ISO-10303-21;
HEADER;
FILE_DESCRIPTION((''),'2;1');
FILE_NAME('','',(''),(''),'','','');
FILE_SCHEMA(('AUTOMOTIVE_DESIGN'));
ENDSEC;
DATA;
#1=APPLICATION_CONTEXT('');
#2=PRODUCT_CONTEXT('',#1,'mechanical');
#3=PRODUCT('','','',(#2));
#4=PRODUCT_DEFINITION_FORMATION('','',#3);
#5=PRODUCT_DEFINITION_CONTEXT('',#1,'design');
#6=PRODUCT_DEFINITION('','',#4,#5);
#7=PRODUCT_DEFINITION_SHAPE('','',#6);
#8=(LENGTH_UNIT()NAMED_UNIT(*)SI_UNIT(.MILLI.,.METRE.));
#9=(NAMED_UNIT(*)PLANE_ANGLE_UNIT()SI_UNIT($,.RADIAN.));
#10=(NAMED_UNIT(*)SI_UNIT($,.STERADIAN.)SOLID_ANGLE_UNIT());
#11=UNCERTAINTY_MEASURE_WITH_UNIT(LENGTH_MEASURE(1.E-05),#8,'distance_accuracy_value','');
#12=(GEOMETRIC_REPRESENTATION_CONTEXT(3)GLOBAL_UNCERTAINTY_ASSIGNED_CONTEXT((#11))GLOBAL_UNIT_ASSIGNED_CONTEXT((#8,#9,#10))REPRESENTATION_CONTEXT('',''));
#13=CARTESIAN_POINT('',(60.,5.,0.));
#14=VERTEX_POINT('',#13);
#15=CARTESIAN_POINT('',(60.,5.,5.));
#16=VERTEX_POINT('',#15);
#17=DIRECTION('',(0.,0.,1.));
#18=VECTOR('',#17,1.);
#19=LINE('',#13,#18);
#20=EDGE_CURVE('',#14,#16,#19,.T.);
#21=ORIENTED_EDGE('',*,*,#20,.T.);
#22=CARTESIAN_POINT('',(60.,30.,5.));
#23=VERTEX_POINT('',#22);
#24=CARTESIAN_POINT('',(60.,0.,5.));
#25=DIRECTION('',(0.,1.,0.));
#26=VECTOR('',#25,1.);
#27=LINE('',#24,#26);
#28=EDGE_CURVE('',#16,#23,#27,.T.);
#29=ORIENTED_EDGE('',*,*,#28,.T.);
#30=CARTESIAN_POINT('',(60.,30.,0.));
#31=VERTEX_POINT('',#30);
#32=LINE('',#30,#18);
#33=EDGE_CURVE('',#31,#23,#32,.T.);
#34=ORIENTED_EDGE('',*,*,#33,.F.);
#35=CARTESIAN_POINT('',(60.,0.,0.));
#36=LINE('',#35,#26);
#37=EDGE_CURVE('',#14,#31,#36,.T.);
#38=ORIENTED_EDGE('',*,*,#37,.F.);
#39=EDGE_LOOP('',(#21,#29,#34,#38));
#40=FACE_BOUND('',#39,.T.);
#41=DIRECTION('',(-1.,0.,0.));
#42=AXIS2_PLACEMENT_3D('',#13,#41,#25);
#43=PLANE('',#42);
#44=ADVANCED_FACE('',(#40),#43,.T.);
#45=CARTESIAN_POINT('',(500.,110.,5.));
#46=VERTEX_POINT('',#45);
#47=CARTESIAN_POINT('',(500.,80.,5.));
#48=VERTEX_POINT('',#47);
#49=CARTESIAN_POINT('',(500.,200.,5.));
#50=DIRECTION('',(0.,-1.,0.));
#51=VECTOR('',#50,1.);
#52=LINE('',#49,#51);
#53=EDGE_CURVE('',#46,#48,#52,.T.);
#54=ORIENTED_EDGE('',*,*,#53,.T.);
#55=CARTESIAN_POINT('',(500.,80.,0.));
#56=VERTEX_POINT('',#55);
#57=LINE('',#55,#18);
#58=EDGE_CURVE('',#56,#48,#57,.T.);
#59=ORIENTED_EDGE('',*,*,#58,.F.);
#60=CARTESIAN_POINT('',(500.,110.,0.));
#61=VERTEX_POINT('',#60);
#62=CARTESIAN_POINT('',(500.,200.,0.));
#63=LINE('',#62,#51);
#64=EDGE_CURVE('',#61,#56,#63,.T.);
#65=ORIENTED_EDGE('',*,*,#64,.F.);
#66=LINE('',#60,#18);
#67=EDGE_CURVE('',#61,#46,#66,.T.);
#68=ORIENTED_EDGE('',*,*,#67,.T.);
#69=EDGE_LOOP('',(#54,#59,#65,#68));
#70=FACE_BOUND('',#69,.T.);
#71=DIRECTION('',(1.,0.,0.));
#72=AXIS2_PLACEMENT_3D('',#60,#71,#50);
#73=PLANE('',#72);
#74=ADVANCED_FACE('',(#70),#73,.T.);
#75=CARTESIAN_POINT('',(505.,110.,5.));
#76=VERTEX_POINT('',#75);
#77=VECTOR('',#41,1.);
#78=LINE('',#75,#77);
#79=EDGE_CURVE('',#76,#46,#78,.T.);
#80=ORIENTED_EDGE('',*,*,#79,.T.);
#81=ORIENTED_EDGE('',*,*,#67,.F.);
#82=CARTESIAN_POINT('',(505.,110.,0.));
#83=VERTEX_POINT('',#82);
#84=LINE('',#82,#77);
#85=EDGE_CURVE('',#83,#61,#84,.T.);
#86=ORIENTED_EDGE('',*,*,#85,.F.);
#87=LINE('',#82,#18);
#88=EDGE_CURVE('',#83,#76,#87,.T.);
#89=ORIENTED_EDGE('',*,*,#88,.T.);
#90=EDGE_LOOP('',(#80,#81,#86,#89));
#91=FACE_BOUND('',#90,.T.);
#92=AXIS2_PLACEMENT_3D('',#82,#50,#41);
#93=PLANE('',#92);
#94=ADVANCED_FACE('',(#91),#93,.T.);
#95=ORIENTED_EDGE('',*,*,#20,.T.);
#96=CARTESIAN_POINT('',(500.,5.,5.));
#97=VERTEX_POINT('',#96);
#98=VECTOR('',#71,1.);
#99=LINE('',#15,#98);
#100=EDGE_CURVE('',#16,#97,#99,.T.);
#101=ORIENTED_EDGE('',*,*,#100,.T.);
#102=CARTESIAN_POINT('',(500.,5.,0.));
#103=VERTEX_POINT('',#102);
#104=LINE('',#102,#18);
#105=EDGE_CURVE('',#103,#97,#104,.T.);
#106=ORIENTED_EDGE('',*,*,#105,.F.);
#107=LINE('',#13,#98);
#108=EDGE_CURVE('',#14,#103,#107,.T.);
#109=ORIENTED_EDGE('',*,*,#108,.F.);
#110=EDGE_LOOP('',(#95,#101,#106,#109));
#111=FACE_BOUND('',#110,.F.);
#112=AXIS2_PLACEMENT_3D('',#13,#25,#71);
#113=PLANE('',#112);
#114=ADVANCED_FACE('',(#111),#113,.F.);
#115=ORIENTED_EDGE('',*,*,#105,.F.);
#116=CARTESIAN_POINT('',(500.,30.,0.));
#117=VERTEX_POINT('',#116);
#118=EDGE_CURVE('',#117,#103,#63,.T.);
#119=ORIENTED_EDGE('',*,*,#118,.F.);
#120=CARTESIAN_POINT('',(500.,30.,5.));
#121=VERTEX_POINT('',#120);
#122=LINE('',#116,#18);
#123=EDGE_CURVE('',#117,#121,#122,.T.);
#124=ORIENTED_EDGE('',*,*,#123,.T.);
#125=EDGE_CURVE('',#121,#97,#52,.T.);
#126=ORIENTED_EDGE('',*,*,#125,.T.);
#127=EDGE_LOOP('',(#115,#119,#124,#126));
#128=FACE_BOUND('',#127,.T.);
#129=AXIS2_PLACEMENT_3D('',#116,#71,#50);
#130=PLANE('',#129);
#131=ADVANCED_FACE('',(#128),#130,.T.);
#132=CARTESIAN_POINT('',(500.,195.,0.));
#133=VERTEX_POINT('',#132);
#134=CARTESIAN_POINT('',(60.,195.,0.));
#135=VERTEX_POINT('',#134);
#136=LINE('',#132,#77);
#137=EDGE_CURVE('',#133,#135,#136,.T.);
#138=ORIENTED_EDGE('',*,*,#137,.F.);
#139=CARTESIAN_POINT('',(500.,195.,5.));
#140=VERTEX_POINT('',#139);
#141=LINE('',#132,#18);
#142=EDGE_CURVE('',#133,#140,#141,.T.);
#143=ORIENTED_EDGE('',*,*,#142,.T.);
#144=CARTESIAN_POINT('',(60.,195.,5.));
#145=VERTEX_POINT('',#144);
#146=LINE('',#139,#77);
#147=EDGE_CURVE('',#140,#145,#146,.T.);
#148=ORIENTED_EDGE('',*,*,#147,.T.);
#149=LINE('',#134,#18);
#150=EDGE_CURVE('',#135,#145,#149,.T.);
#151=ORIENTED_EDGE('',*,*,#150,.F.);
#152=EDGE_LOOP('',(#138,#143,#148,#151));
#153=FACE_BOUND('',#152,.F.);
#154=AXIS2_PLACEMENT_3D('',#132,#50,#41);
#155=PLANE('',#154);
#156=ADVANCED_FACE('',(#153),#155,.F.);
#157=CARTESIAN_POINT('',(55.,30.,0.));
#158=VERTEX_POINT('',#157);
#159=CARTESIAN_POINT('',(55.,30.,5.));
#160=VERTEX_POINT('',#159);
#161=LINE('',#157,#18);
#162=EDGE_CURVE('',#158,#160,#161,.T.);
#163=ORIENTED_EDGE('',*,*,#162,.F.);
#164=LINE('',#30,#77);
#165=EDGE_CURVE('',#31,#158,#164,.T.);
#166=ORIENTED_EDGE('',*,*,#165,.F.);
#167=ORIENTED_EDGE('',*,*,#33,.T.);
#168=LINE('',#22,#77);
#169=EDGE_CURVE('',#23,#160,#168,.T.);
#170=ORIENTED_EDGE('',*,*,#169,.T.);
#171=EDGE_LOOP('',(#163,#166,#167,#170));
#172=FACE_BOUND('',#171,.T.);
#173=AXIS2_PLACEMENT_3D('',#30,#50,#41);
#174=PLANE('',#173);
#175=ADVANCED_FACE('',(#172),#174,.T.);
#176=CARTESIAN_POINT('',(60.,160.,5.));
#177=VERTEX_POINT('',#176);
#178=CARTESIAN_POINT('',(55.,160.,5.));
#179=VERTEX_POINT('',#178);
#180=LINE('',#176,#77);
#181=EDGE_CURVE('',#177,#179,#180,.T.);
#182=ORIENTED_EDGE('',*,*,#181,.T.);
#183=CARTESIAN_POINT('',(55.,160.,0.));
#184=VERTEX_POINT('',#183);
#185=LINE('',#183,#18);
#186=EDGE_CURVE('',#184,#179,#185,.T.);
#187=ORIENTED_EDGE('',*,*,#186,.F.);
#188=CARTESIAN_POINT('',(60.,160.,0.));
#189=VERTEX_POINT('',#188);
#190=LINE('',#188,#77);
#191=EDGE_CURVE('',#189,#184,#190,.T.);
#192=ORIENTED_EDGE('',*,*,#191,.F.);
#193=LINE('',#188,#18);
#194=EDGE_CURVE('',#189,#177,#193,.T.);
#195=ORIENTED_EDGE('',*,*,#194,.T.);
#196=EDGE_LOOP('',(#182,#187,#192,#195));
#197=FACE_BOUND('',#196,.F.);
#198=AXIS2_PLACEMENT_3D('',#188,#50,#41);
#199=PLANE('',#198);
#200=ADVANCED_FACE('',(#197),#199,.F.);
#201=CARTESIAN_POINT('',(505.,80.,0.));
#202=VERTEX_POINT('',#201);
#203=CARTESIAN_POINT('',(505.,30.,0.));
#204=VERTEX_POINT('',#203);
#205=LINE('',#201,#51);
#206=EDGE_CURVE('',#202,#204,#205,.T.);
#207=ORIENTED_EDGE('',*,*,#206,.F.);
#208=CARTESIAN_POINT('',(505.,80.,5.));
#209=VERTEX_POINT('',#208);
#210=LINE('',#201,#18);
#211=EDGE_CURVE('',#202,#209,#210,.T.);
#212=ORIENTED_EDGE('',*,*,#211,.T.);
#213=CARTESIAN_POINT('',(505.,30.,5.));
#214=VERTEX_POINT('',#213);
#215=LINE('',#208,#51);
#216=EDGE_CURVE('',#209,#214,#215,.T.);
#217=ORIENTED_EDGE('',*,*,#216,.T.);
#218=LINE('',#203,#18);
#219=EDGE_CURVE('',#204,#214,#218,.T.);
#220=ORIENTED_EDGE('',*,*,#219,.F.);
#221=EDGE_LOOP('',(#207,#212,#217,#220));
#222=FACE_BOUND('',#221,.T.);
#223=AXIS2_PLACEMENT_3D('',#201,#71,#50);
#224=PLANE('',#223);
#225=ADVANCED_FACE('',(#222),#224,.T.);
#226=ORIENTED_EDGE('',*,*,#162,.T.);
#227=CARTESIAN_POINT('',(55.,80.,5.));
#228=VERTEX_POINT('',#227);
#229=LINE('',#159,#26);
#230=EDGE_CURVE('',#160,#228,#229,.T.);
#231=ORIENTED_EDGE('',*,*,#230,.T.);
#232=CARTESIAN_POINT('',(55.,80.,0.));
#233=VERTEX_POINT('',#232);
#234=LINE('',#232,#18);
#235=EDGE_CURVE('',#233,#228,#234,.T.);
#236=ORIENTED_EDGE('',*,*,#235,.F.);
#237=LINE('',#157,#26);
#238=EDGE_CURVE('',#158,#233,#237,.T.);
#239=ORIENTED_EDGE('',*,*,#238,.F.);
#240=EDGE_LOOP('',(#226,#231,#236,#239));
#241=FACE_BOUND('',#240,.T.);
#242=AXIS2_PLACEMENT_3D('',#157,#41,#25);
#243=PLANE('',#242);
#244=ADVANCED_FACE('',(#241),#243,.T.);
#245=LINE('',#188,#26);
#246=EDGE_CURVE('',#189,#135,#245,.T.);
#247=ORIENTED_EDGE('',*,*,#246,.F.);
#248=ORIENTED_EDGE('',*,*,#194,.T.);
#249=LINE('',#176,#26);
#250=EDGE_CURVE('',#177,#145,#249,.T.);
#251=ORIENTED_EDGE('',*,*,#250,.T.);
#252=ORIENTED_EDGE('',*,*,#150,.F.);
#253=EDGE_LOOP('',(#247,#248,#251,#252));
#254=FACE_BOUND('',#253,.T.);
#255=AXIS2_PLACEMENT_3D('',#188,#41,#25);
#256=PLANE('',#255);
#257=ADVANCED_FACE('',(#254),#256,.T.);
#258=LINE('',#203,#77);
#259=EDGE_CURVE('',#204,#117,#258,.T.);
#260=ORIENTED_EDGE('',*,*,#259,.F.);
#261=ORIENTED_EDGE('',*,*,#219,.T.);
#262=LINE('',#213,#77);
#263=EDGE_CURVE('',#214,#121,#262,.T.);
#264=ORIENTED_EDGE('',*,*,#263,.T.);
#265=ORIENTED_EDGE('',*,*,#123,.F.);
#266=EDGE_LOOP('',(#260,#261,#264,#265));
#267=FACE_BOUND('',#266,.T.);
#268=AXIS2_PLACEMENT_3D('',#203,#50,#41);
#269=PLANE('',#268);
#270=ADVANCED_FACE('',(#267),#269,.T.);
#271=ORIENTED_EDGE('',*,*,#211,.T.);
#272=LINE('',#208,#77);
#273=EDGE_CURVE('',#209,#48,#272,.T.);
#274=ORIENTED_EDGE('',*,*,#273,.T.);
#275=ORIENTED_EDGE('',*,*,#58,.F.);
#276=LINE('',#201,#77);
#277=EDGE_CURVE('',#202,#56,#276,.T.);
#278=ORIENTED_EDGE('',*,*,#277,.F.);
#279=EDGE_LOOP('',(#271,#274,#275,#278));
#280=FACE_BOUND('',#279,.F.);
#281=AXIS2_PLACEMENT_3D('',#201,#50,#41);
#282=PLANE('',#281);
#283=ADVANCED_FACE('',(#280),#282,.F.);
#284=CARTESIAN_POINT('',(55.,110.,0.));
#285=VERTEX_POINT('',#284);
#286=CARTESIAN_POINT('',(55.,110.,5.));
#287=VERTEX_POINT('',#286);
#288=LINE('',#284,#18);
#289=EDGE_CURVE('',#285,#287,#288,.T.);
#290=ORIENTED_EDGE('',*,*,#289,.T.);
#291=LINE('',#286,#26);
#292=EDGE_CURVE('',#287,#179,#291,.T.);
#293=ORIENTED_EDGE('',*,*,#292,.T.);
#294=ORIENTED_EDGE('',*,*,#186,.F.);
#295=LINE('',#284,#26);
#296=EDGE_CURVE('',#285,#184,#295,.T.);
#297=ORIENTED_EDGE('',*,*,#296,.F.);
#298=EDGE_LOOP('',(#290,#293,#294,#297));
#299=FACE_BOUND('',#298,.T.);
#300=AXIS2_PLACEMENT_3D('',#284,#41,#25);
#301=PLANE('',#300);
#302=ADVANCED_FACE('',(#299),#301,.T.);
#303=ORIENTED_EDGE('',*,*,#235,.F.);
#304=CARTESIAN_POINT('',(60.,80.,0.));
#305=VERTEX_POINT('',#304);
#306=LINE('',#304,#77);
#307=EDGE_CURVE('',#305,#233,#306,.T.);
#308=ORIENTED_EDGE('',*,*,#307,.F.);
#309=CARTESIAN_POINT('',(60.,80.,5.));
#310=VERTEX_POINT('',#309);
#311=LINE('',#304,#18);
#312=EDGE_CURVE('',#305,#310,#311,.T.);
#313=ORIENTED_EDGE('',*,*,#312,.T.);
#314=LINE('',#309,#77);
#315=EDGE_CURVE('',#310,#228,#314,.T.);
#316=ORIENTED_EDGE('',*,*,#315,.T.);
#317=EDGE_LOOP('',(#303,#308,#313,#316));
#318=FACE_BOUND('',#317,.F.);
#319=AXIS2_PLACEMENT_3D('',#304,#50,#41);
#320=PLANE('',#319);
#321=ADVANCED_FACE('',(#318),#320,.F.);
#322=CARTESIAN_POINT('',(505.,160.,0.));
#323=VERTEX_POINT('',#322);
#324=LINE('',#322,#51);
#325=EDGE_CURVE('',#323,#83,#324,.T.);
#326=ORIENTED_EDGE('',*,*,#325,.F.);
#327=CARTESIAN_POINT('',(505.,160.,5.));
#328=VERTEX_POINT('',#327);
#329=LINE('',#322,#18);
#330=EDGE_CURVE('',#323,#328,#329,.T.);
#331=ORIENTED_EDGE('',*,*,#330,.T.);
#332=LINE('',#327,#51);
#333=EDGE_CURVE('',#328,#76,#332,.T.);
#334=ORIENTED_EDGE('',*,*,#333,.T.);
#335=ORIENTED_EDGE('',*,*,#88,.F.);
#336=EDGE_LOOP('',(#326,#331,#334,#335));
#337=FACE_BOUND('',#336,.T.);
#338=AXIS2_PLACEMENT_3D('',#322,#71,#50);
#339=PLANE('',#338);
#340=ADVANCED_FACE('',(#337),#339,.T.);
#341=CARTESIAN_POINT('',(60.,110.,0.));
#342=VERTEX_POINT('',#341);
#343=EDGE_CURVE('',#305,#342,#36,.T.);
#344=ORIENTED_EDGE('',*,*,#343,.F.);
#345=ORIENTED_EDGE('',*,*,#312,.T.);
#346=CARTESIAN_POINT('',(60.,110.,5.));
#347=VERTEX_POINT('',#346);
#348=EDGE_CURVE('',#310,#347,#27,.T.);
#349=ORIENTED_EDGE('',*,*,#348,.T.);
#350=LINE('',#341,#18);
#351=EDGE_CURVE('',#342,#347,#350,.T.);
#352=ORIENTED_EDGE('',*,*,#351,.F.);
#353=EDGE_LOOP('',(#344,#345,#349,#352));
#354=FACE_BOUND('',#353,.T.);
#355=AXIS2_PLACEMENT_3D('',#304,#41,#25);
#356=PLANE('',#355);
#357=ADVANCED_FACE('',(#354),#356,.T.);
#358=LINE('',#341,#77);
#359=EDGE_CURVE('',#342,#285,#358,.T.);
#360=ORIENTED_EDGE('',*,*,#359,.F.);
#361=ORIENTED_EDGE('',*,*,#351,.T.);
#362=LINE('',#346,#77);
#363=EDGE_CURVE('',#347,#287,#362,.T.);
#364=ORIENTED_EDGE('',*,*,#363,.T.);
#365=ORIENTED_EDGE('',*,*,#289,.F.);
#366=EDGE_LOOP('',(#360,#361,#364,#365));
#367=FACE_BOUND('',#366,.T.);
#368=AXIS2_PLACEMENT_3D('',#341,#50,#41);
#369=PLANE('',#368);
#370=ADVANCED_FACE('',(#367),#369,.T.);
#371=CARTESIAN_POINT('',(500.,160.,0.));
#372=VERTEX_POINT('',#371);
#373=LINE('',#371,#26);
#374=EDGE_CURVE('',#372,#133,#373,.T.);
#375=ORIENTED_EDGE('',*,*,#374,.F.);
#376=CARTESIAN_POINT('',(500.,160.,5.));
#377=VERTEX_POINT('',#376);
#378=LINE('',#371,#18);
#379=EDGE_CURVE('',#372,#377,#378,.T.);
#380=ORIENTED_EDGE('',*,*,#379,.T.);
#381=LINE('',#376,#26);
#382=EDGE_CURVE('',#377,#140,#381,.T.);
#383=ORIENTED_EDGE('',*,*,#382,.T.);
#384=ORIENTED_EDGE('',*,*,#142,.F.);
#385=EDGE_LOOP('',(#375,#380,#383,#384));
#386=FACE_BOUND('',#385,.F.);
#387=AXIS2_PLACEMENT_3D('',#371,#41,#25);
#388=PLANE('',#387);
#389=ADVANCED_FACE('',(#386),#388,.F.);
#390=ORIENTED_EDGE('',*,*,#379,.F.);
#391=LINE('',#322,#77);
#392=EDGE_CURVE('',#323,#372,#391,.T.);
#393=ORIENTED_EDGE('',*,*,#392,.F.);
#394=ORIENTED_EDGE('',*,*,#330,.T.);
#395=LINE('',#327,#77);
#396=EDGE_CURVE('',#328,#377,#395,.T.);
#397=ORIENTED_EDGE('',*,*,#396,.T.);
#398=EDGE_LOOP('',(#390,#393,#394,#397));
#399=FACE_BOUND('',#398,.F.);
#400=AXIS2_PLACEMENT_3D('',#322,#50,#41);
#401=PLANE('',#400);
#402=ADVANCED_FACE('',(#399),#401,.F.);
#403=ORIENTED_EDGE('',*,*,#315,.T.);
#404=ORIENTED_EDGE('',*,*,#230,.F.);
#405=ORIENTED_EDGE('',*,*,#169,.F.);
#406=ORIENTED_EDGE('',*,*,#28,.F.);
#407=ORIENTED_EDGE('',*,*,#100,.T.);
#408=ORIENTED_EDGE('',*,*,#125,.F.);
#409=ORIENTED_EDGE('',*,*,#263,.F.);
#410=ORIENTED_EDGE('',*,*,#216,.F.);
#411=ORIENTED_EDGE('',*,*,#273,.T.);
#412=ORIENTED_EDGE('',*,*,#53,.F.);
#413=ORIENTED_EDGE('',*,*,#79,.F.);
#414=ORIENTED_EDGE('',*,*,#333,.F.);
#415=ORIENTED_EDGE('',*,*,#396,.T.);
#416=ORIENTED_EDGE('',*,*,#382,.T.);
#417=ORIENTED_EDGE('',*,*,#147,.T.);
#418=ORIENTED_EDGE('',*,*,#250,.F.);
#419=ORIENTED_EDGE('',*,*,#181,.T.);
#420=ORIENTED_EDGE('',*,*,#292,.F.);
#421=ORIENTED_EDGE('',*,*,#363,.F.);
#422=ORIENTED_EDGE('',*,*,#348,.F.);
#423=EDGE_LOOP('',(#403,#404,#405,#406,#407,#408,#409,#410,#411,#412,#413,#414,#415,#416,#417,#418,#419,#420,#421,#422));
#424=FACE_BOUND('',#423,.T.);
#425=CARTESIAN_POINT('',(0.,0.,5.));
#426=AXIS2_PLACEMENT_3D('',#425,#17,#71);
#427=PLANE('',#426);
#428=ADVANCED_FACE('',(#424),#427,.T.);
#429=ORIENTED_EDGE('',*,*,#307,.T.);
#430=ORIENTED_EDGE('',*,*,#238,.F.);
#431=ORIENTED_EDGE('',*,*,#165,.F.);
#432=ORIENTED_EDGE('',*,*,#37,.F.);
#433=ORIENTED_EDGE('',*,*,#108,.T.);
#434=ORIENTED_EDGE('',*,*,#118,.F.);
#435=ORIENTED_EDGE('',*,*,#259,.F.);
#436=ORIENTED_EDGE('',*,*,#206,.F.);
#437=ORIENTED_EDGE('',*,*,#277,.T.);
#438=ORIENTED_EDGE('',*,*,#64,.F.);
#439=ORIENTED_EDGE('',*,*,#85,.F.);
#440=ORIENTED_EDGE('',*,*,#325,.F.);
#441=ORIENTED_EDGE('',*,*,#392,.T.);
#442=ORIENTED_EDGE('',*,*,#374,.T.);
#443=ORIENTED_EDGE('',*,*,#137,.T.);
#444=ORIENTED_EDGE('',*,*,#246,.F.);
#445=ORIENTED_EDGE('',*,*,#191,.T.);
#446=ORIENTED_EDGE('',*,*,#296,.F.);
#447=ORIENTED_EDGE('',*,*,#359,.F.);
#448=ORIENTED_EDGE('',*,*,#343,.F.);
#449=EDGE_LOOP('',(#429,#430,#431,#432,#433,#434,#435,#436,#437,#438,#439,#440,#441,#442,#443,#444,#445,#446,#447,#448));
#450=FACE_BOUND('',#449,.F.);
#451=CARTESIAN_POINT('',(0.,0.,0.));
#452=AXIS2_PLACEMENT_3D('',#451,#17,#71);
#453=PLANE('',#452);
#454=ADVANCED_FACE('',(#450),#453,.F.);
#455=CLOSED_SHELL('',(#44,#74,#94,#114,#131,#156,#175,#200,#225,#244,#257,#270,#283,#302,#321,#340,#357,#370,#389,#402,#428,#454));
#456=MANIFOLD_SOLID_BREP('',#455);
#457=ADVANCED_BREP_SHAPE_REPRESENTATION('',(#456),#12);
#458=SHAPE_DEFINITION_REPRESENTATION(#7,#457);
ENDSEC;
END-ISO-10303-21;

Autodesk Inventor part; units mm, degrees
ref_plane "YZ Plane" through (0, 0, 0) normal (1, 0, 0) x (0, 1, 0)
ref_plane "XZ Plane" through (0, 0, 0) normal (0, 1, 0) x (-1, 0, 0)
ref_plane "XY Plane" through (0, 0, 0) normal (0, 0, 1) x (1, 0, 0)
sketch "Sketch1" plane through (0, 0, 0) normal (0, 0, 1) x (1, 0, 0)
  line L0 (505, 160) -> (505, 110) projected
  line L1 (505, 160) -> (500, 160) projected
  line L2 (500, 110) -> (500, 160) projected
  line L3 (505, 110) -> (500, 110) projected
  line L4 (505, 80) -> (505, 30) projected
  line L5 (505, 80) -> (500, 80) projected
  line L6 (500, 30) -> (500, 80) projected
  line L7 (505, 30) -> (500, 30) projected
  line L8 (60, 160) -> (60, 110) projected
  line L9 (60, 160) -> (55, 160) projected
  line L10 (55, 110) -> (55, 160) projected
  line L11 (60, 110) -> (55, 110) projected
  line L12 (60, 80) -> (60, 30) projected
  line L13 (60, 80) -> (55, 80) projected
  line L14 (55, 30) -> (55, 80) projected
  line L15 (60, 30) -> (55, 30) projected
  line L16 (55, 160) -> (60, 160) projected
  line L17 (60, 160) -> (60, 350) projected
  line L18 (60, 350) -> (55, 350) projected
  line L19 (55, 160) -> (55, 350) projected
  line L20 (60, 200) -> (500, 200) projected
  line L21 (500, 200) -> (500, 205) projected
  line L22 (60, 205) -> (500, 205) projected
  line L23 (500, 160) -> (505, 160) projected
  line L24 (505, 160) -> (505, 350) projected
  line L25 (505, 350) -> (500, 350) projected
  line L26 (500, 160) -> (500, 350) projected
  line L27 (505, 0) -> (500, 0) projected
  line L28 (500, 0) -> (500, -5) projected
  line L29 (505, -5) -> (500, -5) projected
  line L30 (505, 0) -> (505, -5) projected
  line L31 (60, 200) -> (500, 200)
  line L32 (500, 200) -> (500, 0)
  line L33 (500, 0) -> (60, 0)
  line L34 (60, 0) -> (60, 200)
  line L35 (500, 195) -> (60, 195)
  line L36 (60, 5) -> (500, 5)
  line L37 (60, 200) -> (60, 205) projected
  point P0 (0, 0)
  point P1 (60, 110)
  point P2 (60, 80)
  point P3 (60, 30)
  point P4 (60, 195)
  point P5 (50, 135)
  point P6 (55, 200)
  point P7 (60, 160)
  dimension "d2" = 5
  dimension "d3" = 5
extrude "Extrusion1" add sketch "Sketch1" along normal blind 5 contours L0 L3 L2 L1 | L2 L32 L6 L36 L34 L12 L8 L17 L35 L26 | L5 L4 L7 L6 | L8 L11 L10 L9 | L12 L15 L14 L13
properties part number "Piso"
